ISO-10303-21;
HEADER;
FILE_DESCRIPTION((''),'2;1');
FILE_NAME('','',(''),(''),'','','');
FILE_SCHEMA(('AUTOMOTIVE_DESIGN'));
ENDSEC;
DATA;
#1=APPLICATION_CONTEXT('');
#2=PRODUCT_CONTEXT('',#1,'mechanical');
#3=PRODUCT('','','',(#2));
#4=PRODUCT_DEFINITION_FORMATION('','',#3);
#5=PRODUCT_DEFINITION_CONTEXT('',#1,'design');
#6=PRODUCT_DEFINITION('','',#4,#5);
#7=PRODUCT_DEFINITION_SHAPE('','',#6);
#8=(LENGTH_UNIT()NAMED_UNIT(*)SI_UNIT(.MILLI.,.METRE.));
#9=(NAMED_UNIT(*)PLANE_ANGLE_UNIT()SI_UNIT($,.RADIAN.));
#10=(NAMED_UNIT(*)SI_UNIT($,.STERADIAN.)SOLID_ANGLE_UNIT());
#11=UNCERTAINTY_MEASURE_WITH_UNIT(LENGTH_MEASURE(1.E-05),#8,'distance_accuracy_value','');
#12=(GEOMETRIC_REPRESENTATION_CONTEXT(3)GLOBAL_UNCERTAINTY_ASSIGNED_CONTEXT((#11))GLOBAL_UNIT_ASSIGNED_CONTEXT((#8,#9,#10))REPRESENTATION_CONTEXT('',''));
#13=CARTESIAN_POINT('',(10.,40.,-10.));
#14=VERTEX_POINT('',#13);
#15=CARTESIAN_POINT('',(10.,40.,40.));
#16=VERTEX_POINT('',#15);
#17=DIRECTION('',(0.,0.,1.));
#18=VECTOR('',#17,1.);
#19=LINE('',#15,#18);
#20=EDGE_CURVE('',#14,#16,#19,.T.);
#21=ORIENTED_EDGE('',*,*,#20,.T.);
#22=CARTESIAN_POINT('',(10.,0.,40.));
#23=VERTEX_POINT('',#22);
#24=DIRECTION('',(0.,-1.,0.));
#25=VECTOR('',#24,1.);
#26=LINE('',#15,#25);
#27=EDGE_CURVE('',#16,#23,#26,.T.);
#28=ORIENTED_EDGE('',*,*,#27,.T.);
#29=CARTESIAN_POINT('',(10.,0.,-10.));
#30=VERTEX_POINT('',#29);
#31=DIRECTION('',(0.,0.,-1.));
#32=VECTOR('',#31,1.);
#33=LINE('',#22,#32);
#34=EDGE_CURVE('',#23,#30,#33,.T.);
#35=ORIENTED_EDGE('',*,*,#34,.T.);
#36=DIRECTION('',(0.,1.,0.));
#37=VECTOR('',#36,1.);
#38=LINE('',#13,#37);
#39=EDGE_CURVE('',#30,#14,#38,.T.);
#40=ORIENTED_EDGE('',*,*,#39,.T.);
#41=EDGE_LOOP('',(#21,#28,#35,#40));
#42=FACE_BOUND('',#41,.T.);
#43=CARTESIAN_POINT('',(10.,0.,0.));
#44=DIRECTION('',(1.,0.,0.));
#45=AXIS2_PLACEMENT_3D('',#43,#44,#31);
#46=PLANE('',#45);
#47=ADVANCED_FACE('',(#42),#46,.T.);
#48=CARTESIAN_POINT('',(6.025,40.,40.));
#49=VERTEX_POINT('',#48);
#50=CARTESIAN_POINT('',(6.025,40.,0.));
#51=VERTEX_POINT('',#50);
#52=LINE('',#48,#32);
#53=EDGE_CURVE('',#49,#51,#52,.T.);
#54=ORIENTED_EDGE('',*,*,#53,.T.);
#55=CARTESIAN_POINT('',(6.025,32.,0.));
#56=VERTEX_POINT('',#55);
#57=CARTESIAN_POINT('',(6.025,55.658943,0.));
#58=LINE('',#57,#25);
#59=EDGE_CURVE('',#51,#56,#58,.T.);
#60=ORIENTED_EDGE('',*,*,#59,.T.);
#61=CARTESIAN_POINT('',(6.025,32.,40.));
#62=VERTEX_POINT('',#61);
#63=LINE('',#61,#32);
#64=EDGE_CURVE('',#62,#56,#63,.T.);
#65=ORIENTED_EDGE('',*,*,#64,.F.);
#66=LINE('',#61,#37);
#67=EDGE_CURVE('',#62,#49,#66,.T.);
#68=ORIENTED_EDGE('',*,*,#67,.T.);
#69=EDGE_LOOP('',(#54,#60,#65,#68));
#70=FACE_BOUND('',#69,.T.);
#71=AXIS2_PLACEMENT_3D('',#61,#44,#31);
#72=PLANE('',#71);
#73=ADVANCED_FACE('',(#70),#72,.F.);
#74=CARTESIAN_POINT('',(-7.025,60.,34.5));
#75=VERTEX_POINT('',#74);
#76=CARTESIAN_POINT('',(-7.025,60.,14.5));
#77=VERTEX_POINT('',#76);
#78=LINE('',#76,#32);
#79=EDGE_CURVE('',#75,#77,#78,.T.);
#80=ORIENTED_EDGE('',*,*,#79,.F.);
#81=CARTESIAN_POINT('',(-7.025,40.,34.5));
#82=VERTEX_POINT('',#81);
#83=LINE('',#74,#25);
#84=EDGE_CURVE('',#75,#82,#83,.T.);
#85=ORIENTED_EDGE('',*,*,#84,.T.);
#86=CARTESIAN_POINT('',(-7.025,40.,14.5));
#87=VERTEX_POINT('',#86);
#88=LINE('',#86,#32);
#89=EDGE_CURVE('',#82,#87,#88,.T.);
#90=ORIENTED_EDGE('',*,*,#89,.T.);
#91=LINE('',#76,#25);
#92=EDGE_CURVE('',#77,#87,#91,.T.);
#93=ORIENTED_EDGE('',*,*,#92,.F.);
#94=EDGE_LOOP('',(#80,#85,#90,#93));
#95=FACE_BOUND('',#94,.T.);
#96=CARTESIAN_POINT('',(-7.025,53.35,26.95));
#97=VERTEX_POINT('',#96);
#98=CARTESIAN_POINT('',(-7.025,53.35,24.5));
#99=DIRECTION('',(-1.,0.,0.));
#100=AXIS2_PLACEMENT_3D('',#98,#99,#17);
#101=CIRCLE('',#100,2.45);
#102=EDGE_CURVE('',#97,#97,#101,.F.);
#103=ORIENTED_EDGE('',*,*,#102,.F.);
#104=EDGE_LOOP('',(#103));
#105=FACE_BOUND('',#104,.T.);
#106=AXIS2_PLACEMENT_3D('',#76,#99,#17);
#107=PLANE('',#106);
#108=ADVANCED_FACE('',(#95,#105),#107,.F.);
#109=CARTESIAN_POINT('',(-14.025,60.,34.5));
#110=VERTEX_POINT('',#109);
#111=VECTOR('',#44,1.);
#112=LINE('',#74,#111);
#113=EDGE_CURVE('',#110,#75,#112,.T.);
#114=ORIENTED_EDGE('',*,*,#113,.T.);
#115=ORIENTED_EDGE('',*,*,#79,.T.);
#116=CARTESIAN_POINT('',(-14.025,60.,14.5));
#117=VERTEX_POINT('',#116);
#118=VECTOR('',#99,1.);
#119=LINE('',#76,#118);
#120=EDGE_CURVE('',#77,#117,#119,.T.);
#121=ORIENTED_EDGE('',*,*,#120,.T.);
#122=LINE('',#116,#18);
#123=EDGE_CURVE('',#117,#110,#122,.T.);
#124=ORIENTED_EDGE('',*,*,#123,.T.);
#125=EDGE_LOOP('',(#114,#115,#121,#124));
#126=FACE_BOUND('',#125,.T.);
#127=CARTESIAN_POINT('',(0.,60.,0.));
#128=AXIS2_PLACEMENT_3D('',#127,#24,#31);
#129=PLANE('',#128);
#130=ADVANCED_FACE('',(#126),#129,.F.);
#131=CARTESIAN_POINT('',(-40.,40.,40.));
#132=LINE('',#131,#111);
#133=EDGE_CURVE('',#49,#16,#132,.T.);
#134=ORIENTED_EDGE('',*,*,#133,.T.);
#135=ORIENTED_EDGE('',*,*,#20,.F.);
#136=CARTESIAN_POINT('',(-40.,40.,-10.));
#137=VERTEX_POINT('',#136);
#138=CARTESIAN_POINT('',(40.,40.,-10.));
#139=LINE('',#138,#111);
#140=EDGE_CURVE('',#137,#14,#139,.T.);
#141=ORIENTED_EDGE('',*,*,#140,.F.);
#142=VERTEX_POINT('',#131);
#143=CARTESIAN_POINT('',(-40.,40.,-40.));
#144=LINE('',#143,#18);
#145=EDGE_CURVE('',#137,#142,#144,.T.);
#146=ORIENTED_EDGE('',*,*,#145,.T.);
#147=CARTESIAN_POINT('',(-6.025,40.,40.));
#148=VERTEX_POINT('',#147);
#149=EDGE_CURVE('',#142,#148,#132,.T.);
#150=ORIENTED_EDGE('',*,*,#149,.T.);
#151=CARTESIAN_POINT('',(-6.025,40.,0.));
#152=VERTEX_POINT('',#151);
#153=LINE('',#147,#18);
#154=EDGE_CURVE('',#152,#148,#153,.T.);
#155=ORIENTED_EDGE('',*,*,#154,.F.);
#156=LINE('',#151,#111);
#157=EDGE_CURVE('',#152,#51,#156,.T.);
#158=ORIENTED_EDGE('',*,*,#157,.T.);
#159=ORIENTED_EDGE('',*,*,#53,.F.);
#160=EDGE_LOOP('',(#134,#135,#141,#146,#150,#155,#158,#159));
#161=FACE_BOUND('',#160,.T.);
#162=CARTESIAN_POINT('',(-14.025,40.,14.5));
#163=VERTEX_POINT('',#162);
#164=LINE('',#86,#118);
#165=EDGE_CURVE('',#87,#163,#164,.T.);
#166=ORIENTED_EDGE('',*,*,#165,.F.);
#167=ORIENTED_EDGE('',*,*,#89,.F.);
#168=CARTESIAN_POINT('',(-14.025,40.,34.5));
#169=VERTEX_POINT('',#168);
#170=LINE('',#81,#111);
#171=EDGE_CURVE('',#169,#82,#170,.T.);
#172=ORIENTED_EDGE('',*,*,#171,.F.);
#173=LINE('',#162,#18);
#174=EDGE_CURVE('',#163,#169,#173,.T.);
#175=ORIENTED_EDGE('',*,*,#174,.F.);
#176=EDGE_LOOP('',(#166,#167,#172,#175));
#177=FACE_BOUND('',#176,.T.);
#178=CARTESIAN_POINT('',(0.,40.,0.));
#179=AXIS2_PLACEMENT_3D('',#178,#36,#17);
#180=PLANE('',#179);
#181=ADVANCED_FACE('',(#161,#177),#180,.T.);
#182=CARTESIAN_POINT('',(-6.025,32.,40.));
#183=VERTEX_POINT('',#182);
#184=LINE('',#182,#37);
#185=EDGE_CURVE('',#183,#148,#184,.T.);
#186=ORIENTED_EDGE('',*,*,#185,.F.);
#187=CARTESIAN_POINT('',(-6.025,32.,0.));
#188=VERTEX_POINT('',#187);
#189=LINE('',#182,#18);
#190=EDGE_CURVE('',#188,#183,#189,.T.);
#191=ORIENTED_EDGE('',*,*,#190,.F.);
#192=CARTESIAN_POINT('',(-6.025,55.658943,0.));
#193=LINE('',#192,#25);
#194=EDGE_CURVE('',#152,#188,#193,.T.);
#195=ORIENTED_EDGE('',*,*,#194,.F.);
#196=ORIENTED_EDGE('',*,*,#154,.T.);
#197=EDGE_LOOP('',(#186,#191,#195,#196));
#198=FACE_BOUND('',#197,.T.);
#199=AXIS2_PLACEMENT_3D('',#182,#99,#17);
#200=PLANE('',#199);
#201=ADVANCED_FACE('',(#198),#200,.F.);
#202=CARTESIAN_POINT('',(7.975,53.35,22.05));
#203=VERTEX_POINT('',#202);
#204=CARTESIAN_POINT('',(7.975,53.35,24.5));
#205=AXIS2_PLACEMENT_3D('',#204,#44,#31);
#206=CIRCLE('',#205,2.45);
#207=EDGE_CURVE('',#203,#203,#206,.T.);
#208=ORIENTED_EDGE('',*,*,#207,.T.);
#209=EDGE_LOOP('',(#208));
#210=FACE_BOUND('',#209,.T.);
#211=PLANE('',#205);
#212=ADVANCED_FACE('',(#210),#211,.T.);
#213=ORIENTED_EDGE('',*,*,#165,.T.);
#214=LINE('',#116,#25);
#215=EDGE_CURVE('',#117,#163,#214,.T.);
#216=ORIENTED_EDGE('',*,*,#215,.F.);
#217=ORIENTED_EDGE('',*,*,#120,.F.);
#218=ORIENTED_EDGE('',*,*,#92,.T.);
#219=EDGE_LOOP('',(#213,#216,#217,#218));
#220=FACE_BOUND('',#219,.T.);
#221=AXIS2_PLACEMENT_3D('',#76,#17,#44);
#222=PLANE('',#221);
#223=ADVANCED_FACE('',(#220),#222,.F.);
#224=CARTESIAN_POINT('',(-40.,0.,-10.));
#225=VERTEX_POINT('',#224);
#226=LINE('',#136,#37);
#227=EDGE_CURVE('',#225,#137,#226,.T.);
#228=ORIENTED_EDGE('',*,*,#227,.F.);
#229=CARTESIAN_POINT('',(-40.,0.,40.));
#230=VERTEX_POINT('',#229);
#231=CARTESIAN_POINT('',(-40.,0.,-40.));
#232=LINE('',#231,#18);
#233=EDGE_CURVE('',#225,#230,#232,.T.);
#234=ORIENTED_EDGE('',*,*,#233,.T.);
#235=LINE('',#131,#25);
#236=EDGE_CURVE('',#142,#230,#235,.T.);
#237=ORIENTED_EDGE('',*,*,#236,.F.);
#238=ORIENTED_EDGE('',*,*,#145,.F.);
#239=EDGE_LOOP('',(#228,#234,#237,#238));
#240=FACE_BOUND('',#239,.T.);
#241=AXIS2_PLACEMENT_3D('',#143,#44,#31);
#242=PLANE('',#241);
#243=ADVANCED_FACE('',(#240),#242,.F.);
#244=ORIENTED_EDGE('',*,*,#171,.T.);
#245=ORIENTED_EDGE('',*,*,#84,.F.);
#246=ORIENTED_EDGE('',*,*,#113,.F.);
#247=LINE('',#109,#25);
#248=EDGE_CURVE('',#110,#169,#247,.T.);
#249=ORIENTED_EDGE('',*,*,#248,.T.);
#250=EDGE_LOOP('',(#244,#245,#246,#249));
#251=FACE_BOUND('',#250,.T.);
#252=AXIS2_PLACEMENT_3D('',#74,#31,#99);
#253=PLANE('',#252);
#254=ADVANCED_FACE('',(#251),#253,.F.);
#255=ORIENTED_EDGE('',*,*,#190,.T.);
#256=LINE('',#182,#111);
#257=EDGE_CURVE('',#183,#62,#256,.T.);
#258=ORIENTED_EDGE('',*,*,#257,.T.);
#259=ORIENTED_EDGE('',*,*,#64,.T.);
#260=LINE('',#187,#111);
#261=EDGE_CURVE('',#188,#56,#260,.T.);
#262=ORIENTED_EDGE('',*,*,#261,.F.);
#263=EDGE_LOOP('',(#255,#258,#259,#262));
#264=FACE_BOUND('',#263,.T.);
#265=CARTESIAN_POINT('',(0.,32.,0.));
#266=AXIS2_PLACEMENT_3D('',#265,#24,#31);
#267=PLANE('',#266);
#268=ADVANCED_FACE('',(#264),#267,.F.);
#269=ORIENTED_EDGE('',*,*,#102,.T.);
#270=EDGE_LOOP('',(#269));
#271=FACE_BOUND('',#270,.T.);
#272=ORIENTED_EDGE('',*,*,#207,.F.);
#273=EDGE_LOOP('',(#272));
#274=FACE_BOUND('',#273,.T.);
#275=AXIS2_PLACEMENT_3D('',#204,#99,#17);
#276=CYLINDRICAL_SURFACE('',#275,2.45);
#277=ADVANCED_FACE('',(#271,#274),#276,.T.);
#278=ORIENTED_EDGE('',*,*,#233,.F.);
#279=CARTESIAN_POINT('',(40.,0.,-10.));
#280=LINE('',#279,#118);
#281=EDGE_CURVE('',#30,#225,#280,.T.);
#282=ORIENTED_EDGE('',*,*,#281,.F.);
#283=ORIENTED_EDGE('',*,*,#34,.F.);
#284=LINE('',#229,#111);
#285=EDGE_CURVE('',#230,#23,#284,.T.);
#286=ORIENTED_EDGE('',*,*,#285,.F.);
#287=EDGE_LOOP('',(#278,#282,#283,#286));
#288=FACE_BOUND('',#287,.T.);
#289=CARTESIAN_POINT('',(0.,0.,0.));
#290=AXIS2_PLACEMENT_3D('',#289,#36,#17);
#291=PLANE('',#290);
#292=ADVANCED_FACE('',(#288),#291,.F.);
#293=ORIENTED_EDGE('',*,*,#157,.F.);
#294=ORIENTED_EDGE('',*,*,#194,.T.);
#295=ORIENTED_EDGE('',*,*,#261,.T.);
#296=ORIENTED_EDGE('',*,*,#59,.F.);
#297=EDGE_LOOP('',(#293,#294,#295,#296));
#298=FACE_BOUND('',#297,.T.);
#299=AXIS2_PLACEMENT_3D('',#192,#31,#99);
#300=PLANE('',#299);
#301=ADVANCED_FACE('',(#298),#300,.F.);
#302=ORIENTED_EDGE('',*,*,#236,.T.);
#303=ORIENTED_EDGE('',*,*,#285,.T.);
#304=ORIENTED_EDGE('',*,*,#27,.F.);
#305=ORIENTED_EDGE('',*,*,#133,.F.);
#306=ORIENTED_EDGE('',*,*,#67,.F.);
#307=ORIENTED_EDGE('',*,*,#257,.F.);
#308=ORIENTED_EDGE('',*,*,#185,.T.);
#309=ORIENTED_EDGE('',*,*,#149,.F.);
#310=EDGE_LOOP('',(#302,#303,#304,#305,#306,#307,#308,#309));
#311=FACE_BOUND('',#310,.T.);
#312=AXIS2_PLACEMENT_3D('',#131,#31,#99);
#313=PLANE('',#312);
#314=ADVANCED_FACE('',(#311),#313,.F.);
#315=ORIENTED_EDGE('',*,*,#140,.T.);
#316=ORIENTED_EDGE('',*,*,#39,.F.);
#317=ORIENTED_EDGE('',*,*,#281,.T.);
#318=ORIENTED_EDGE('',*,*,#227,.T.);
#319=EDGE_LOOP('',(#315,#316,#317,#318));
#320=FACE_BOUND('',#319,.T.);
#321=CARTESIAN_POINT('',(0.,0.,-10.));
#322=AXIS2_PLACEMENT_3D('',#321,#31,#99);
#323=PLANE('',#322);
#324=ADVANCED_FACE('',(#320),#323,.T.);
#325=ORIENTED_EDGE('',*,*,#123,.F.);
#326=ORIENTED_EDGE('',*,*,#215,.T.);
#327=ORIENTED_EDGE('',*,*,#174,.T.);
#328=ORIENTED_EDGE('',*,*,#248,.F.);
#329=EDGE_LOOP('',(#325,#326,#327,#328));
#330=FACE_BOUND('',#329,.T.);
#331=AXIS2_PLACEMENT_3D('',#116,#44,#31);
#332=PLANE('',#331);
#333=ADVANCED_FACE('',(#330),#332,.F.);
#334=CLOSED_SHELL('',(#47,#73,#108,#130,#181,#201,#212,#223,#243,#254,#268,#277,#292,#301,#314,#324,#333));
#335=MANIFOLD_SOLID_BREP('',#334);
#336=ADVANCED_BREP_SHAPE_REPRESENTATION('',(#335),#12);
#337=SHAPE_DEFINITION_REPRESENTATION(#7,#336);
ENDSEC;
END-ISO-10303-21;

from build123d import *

# Parameters (mm, degrees)
SKETCH1_W           = 80
SKETCH1_H           = 80
BOSS_EXTRUDE1_DEPTH = 40
SKETCH2_W           = 12.05
SKETCH2_H           = 80
CUT_EXTRUDE1_DEPTH  = 8
SKETCH3_W           = 7
SKETCH3_H           = 20
BOSS_EXTRUDE2_DEPTH = 20
SKETCH4_R           = 2.45
BOSS_EXTRUDE3_DEPTH = 15
SKETCH6_W           = 80
SKETCH6_H           = 40
CUT_EXTRUDE3_DEPTH  = 30
SKETCH7_W           = 50
SKETCH7_H           = 40
CUT_EXTRUDE4_DEPTH  = 30
SKETCH8_W           = 12.05
SKETCH8_H           = 10
BOSS_EXTRUDE4_DEPTH = 8


with BuildPart() as part:
    # Sketch1 → Boss-Extrude1 (new body)
    with BuildSketch(Plane(origin=(0, 0, 0), x_dir=(1, 0, 0), z_dir=(0, 1, 0))):
        Rectangle(SKETCH1_W, SKETCH1_H)
    extrude(amount=BOSS_EXTRUDE1_DEPTH)

    # Sketch2 → Cut-Extrude1 (cut)
    with BuildSketch(Plane(origin=(0, 40, 0), x_dir=(1, 0, 0), z_dir=(0, 1, 0))):
        Rectangle(SKETCH2_W, SKETCH2_H)
    extrude(amount=-CUT_EXTRUDE1_DEPTH, mode=Mode.SUBTRACT)

    # Sketch3 → Boss-Extrude2 (add)
    with BuildSketch(Plane(origin=(0, 40, 0), x_dir=(1, 0, 0), z_dir=(0, 1, 0))):
        with Locations((-10.525, -24.5)):
            Rectangle(SKETCH3_W, SKETCH3_H)
    extrude(amount=BOSS_EXTRUDE2_DEPTH)

    # Sketch4 → Boss-Extrude3 (add)
    with BuildSketch(Plane(origin=(-7.025, 0, 0), x_dir=(0, 0, -1), z_dir=(1, 0, 0))):
        with Locations(Location((-24.5, 53.35, 0), (0, 0, 180))):
            Circle(SKETCH4_R)
    extrude(amount=BOSS_EXTRUDE3_DEPTH)

    # Sketch6 → Cut-Extrude3 (cut)
    with BuildSketch(Plane(origin=(0, 0, -40), x_dir=(-1, 0, 0), z_dir=(0, 0, -1))):
        with Locations((0, 20)):
            Rectangle(SKETCH6_W, SKETCH6_H)
    extrude(amount=-CUT_EXTRUDE3_DEPTH, mode=Mode.SUBTRACT)

    # Sketch7 → Cut-Extrude4 (cut)
    with BuildSketch(Plane(origin=(40, 0, 0), x_dir=(0, 0, -1), z_dir=(1, 0, 0))):
        with Locations((-15, 20)):
            Rectangle(SKETCH7_W, SKETCH7_H)
    extrude(amount=-CUT_EXTRUDE4_DEPTH, mode=Mode.SUBTRACT)

    # Sketch8 → Boss-Extrude4 (add)
    with BuildSketch(Plane(origin=(0, 32, 0), x_dir=(1, 0, 0), z_dir=(0, 1, 0))):
        with Locations((0, 5)):
            Rectangle(SKETCH8_W, SKETCH8_H)
    extrude(amount=BOSS_EXTRUDE4_DEPTH)


solid = part.part
